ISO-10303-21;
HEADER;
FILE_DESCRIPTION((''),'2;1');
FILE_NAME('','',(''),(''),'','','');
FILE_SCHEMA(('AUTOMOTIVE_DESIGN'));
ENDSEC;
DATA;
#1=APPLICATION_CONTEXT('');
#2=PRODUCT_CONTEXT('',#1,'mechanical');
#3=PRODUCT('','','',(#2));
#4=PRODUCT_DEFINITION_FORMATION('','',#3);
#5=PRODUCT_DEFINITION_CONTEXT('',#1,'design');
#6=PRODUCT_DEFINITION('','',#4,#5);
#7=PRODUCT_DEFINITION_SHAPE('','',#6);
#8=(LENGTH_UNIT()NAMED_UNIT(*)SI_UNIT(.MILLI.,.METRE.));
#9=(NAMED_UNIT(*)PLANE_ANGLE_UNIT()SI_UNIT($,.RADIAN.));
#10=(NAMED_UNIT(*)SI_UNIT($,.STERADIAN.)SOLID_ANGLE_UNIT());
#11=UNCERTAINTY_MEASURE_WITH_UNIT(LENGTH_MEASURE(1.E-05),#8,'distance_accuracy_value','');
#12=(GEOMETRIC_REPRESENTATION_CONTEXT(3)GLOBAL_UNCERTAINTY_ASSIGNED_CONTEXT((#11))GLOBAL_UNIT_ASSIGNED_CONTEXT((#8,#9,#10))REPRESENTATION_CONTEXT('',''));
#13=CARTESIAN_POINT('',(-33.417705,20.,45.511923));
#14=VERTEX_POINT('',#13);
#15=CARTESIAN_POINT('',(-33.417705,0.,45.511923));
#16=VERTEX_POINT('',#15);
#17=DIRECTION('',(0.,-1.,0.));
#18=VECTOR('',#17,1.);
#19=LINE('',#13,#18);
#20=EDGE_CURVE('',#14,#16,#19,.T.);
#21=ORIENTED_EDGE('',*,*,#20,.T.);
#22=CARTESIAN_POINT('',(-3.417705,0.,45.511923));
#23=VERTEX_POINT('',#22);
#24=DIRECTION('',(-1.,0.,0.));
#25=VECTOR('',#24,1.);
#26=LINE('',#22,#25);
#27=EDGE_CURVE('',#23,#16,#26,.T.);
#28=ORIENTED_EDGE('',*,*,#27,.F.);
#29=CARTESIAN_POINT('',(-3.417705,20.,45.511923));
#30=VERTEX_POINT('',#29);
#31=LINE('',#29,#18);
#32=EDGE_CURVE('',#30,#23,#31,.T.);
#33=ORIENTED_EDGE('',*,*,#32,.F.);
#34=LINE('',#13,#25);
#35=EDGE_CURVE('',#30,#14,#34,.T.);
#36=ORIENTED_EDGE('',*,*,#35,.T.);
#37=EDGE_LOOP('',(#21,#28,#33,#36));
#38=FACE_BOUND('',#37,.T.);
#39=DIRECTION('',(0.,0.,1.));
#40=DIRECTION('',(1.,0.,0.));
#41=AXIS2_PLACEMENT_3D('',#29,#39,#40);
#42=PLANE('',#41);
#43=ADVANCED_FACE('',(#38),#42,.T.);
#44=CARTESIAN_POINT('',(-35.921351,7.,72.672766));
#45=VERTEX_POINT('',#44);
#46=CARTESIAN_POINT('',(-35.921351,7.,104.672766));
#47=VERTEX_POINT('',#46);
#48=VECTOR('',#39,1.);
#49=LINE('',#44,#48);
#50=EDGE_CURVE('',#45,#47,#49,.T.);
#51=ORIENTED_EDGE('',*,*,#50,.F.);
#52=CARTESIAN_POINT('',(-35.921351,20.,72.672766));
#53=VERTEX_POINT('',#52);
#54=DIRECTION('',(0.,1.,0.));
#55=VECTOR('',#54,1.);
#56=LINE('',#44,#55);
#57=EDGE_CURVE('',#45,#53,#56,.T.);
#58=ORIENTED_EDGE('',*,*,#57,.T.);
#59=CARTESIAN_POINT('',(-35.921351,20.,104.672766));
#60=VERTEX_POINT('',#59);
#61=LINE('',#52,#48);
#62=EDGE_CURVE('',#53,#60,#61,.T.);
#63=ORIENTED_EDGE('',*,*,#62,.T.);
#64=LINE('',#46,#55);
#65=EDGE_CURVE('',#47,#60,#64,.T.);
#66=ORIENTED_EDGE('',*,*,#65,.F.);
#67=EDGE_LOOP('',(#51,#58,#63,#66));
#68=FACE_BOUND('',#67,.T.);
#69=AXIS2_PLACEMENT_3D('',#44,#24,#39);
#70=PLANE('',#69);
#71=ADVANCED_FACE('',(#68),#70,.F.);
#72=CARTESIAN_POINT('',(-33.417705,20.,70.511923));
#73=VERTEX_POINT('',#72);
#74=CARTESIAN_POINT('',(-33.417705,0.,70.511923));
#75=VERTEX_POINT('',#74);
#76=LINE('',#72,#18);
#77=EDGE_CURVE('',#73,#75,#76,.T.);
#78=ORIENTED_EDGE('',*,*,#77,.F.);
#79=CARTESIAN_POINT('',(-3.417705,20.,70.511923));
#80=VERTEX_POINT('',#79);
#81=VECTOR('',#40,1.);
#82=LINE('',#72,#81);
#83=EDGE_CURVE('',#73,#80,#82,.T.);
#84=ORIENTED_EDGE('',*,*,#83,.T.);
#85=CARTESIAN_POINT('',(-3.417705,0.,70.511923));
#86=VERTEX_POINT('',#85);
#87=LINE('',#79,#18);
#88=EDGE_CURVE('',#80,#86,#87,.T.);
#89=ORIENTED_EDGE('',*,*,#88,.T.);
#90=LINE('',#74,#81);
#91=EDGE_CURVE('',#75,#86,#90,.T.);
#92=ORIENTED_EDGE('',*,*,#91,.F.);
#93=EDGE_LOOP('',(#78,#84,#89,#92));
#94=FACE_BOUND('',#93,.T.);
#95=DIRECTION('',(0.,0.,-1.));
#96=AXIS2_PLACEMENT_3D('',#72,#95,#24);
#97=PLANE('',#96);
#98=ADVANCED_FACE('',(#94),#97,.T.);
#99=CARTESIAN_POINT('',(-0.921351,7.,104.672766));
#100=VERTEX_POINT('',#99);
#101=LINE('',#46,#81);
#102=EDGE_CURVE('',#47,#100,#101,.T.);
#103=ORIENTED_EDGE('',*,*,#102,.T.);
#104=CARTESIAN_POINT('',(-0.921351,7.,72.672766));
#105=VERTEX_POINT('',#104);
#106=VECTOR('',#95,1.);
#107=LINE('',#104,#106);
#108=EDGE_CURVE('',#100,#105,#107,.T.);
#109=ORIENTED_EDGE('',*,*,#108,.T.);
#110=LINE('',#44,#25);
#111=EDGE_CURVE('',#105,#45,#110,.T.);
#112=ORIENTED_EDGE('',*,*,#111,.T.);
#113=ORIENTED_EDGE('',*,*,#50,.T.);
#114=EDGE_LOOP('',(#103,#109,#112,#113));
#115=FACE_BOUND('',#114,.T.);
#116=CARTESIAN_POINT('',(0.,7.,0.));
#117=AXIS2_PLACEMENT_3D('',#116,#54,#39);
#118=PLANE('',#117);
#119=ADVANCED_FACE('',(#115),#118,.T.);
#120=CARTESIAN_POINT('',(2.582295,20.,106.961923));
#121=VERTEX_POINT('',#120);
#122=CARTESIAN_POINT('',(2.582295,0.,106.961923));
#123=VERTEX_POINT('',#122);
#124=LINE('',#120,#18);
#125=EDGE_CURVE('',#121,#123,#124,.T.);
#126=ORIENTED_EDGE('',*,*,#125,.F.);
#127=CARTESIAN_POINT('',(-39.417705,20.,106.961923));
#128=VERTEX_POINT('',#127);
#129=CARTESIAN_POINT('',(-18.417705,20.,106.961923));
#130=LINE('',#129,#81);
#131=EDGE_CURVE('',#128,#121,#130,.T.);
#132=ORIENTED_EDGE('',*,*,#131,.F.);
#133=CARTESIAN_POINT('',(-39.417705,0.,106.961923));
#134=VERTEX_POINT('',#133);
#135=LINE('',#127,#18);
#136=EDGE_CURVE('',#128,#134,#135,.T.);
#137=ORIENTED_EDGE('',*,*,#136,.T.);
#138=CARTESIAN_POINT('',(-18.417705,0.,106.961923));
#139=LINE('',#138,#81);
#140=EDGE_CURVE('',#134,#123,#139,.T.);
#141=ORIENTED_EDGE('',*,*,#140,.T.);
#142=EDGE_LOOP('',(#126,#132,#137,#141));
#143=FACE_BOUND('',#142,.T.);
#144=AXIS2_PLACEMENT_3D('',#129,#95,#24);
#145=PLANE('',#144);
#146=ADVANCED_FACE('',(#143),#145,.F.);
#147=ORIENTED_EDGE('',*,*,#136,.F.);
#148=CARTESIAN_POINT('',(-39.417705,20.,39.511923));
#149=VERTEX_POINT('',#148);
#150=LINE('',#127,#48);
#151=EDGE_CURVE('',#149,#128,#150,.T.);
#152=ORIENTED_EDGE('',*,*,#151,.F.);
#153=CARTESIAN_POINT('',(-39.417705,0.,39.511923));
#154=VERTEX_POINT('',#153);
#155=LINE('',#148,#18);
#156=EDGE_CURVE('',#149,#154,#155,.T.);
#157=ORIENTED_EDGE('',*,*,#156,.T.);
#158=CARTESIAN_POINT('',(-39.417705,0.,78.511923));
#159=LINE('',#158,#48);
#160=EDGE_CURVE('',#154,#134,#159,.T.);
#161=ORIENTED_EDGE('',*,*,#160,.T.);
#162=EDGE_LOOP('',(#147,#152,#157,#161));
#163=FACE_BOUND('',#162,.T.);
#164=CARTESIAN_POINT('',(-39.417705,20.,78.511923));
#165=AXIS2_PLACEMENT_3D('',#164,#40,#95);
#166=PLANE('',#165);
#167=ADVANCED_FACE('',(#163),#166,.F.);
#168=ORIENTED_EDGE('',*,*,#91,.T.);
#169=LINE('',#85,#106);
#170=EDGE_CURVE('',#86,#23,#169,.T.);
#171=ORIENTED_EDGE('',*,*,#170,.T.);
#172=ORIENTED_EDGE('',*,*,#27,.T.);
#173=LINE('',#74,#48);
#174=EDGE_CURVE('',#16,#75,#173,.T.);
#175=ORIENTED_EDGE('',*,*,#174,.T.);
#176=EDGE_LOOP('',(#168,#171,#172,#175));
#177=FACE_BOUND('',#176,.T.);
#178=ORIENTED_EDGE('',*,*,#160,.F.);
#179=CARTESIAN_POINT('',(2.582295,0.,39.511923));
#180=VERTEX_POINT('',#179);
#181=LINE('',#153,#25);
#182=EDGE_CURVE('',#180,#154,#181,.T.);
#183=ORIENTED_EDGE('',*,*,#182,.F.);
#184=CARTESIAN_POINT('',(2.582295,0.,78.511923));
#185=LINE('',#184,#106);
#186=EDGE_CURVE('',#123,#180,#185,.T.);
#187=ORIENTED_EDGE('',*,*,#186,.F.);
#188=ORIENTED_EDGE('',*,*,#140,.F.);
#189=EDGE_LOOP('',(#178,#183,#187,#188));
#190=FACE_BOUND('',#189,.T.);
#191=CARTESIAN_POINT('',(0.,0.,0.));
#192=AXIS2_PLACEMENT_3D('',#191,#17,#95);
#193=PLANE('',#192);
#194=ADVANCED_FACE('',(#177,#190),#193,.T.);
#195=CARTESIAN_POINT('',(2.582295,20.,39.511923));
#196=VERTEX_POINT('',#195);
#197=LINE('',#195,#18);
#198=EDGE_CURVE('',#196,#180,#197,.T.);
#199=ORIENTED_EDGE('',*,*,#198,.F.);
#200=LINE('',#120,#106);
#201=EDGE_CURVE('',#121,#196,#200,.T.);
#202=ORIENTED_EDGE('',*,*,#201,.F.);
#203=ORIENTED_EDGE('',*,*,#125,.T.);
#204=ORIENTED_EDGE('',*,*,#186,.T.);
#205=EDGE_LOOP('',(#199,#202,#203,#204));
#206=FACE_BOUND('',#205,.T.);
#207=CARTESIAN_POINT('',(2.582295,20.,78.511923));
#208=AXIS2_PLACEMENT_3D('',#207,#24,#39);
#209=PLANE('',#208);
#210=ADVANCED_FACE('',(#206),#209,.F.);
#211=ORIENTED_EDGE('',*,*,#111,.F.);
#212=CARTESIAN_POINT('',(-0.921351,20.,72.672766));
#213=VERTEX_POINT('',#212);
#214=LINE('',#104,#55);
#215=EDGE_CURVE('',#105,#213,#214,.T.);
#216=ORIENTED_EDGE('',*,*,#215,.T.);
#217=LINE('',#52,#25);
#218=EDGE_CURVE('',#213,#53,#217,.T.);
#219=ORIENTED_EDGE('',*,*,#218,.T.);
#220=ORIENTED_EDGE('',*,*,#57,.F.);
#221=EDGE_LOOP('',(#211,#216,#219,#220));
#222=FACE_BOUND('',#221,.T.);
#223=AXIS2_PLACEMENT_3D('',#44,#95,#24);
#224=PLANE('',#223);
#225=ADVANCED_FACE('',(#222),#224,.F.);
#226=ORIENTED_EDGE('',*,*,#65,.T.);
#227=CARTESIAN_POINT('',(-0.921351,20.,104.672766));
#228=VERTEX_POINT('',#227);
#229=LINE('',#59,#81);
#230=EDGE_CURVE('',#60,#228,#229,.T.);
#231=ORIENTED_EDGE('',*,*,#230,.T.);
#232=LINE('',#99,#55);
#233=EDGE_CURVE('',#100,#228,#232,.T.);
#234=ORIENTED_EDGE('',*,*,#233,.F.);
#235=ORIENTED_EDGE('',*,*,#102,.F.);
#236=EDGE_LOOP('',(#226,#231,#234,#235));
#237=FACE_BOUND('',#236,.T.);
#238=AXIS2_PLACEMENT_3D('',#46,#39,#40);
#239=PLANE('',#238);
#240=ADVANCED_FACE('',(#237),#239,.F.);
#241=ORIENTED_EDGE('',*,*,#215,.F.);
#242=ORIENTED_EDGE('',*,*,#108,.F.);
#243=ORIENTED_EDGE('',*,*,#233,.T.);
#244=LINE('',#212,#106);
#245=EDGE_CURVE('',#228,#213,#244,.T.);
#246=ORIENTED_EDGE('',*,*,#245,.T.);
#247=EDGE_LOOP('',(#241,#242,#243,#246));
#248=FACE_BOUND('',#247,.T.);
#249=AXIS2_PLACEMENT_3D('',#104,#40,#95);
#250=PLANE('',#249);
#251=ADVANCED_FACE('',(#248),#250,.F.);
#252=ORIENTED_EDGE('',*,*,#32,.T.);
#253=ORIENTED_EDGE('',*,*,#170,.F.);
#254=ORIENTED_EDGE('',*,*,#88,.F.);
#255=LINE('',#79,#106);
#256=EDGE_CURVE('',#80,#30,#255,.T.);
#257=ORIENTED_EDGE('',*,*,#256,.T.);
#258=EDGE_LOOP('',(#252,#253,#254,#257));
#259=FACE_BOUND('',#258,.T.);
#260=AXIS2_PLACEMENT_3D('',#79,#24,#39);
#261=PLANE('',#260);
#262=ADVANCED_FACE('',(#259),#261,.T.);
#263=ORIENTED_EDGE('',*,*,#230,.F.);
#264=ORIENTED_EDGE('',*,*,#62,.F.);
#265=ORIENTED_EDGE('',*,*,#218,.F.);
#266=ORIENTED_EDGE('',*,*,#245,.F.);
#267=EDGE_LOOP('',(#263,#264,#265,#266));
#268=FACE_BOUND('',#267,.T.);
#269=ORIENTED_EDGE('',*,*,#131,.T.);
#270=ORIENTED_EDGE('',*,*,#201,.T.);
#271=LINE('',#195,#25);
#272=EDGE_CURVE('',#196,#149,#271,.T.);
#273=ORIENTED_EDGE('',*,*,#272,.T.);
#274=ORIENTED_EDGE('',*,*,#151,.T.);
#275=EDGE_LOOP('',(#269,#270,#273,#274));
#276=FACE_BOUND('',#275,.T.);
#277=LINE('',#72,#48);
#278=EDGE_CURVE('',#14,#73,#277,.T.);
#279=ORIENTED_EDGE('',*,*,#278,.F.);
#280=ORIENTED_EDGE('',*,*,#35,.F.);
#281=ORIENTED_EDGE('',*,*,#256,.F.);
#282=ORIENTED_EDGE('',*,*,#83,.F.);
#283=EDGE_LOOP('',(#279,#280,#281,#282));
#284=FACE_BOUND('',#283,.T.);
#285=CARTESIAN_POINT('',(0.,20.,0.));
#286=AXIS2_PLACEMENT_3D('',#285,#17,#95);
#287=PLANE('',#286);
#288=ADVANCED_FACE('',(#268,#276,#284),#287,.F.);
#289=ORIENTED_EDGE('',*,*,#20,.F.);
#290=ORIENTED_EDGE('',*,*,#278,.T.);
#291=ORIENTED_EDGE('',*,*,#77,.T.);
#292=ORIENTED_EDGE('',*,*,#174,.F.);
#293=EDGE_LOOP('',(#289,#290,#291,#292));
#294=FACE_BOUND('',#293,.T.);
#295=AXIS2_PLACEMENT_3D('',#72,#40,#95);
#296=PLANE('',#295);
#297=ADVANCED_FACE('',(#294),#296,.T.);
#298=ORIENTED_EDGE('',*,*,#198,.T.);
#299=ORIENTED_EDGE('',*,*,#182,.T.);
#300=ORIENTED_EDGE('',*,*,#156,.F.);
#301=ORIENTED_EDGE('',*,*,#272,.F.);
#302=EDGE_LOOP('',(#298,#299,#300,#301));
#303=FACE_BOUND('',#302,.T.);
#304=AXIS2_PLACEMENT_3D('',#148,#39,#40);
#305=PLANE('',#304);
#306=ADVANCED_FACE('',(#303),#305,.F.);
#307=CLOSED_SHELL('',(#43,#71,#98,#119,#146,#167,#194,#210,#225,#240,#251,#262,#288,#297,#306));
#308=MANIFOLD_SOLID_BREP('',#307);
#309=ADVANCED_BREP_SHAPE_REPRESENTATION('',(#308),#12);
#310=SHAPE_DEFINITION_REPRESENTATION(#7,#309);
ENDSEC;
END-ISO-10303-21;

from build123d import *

# Parameters (mm, degrees)
SKETCH1_W           = 12.05
SKETCH1_H           = 22.45
BOSS_EXTRUDE2_DEPTH = 20
SKETCH6_W           = 35.864128229
SKETCH6_H           = 30.191250037
BOSS_EXTRUDE3_DEPTH = 20
SKETCH7_W           = 35
SKETCH7_H           = 32
CUT_EXTRUDE3_DEPTH  = 13


with BuildPart() as part:
    # Sketch1 → Boss-Extrude2 (new body)
    with BuildSketch(Plane(origin=(0, 0, 0), x_dir=(1, 0, 0), z_dir=(0, 1, 0))):
        Polygon((-39.417705009, -78.511923184), (-39.417705009, -39.511923184), (-18.417705009, -39.511923184), (2.582294991, -39.511923184), (2.582294991, -78.511923184), (2.582294991, -106.961923184), (-18.417705009, -106.961923184), (-39.417705009, -106.961923184), align=None)
        with Locations((-27.392705009, -89.736923184)):
            Rectangle(SKETCH1_W, SKETCH1_H, mode=Mode.SUBTRACT)
        Polygon((-33.417705009, -70.511923184), (-33.417705009, -45.511923184), (-18.417705009, -45.511923184), (-3.417705009, -45.511923184), (-3.417705009, -70.511923184), align=None, mode=Mode.SUBTRACT)
        with Locations((-9.442705009, -89.736923184)):
            Rectangle(SKETCH1_W, SKETCH1_H, mode=Mode.SUBTRACT)
    extrude(amount=BOSS_EXTRUDE2_DEPTH)

    # Sketch6 → Boss-Extrude3 (add)
    with BuildSketch(Plane(origin=(0, 20, 0), x_dir=(1, 0, 0), z_dir=(0, 1, 0))):
        with Locations((-18.754231682, -88.861375831)):
            Rectangle(SKETCH6_W, SKETCH6_H)
    extrude(amount=-BOSS_EXTRUDE3_DEPTH)

    # Sketch7 → Cut-Extrude3 (cut)
    with BuildSketch(Plane(origin=(0, 20, 0), x_dir=(1, 0, 0), z_dir=(0, 1, 0))):
        with Locations((-18.421350721, -88.672765983)):
            Rectangle(SKETCH7_W, SKETCH7_H)
    extrude(amount=-CUT_EXTRUDE3_DEPTH, mode=Mode.SUBTRACT)


solid = part.part
